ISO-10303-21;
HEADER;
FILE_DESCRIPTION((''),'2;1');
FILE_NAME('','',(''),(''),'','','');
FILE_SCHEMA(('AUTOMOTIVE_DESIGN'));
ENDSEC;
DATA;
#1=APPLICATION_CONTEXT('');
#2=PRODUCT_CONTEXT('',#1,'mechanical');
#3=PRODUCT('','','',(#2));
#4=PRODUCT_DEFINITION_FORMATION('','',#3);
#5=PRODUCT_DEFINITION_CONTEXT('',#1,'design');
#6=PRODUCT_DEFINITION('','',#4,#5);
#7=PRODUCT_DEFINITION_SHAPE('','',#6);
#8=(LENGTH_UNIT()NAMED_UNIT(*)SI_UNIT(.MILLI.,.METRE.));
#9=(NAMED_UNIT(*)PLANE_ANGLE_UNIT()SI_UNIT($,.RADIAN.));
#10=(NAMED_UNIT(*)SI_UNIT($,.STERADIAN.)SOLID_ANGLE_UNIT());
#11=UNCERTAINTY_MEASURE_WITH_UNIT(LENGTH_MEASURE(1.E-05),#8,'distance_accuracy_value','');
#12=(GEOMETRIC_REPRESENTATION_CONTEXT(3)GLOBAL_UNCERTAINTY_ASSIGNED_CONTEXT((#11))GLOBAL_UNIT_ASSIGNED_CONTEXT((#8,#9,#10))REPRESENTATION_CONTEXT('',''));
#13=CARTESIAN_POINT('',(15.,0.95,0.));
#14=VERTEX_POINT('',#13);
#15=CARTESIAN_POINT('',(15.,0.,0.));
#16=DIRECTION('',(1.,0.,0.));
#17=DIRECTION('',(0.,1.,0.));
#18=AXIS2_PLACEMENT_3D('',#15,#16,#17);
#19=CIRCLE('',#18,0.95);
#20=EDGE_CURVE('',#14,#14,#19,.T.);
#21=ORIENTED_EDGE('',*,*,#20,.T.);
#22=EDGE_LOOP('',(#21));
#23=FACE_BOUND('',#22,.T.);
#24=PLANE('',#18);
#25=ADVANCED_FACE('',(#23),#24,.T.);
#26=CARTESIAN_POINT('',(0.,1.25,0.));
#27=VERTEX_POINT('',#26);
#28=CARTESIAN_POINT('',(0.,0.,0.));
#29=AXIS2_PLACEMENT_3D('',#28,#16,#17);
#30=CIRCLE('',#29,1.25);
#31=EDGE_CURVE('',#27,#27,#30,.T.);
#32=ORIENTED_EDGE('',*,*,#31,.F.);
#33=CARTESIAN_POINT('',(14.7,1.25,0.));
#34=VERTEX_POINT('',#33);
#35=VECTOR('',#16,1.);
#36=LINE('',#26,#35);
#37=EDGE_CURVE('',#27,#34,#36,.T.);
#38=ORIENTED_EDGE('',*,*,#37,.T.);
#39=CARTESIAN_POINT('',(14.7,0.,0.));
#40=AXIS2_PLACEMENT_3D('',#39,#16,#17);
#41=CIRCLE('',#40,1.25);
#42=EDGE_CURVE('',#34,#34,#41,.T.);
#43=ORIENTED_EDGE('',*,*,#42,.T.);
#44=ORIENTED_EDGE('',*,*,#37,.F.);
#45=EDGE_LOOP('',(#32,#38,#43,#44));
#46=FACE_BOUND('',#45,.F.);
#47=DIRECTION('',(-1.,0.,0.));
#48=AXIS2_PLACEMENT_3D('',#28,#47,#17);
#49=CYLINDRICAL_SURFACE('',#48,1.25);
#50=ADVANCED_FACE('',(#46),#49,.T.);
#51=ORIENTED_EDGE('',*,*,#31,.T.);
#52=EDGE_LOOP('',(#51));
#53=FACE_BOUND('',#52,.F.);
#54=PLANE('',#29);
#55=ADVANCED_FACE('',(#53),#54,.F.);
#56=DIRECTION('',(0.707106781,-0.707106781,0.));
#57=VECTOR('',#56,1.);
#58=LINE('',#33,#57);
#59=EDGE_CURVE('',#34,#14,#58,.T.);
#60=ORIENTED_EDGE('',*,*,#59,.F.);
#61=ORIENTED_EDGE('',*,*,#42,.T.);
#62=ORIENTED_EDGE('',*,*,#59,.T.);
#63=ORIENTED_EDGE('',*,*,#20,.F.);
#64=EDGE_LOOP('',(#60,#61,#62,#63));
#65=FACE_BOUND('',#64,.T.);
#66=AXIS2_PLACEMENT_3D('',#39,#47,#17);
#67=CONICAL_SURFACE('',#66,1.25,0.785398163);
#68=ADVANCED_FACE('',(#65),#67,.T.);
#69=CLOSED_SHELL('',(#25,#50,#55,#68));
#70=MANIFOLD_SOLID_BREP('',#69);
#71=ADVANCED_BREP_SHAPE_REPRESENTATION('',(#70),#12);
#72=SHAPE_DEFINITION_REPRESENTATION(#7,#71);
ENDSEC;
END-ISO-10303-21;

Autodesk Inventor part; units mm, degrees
ref_plane "YZ Plane" through (0, 0, 0) normal (1, 0, 0) x (0, 1, 0)
ref_plane "XZ Plane" through (0, 0, 0) normal (0, 1, 0) x (-1, 0, 0)
ref_plane "XY Plane" through (0, 0, 0) normal (0, 0, 1) x (1, 0, 0)
sketch "Sketch1" plane through (0, 0, 0) normal (1, 0, 0) x (0, 1, 0)
  circle A0 centre (0, 0) radius 1.25
  dimension "d0" = 2.5
extrude "Extrusion1" add sketch "Sketch1" along normal blind 15
chamfer "Chamfer1" distance 0.3 angle 45 1 edges at (15, -1.25, 0)
properties part number "pin 2.5 15" material "Steel"
